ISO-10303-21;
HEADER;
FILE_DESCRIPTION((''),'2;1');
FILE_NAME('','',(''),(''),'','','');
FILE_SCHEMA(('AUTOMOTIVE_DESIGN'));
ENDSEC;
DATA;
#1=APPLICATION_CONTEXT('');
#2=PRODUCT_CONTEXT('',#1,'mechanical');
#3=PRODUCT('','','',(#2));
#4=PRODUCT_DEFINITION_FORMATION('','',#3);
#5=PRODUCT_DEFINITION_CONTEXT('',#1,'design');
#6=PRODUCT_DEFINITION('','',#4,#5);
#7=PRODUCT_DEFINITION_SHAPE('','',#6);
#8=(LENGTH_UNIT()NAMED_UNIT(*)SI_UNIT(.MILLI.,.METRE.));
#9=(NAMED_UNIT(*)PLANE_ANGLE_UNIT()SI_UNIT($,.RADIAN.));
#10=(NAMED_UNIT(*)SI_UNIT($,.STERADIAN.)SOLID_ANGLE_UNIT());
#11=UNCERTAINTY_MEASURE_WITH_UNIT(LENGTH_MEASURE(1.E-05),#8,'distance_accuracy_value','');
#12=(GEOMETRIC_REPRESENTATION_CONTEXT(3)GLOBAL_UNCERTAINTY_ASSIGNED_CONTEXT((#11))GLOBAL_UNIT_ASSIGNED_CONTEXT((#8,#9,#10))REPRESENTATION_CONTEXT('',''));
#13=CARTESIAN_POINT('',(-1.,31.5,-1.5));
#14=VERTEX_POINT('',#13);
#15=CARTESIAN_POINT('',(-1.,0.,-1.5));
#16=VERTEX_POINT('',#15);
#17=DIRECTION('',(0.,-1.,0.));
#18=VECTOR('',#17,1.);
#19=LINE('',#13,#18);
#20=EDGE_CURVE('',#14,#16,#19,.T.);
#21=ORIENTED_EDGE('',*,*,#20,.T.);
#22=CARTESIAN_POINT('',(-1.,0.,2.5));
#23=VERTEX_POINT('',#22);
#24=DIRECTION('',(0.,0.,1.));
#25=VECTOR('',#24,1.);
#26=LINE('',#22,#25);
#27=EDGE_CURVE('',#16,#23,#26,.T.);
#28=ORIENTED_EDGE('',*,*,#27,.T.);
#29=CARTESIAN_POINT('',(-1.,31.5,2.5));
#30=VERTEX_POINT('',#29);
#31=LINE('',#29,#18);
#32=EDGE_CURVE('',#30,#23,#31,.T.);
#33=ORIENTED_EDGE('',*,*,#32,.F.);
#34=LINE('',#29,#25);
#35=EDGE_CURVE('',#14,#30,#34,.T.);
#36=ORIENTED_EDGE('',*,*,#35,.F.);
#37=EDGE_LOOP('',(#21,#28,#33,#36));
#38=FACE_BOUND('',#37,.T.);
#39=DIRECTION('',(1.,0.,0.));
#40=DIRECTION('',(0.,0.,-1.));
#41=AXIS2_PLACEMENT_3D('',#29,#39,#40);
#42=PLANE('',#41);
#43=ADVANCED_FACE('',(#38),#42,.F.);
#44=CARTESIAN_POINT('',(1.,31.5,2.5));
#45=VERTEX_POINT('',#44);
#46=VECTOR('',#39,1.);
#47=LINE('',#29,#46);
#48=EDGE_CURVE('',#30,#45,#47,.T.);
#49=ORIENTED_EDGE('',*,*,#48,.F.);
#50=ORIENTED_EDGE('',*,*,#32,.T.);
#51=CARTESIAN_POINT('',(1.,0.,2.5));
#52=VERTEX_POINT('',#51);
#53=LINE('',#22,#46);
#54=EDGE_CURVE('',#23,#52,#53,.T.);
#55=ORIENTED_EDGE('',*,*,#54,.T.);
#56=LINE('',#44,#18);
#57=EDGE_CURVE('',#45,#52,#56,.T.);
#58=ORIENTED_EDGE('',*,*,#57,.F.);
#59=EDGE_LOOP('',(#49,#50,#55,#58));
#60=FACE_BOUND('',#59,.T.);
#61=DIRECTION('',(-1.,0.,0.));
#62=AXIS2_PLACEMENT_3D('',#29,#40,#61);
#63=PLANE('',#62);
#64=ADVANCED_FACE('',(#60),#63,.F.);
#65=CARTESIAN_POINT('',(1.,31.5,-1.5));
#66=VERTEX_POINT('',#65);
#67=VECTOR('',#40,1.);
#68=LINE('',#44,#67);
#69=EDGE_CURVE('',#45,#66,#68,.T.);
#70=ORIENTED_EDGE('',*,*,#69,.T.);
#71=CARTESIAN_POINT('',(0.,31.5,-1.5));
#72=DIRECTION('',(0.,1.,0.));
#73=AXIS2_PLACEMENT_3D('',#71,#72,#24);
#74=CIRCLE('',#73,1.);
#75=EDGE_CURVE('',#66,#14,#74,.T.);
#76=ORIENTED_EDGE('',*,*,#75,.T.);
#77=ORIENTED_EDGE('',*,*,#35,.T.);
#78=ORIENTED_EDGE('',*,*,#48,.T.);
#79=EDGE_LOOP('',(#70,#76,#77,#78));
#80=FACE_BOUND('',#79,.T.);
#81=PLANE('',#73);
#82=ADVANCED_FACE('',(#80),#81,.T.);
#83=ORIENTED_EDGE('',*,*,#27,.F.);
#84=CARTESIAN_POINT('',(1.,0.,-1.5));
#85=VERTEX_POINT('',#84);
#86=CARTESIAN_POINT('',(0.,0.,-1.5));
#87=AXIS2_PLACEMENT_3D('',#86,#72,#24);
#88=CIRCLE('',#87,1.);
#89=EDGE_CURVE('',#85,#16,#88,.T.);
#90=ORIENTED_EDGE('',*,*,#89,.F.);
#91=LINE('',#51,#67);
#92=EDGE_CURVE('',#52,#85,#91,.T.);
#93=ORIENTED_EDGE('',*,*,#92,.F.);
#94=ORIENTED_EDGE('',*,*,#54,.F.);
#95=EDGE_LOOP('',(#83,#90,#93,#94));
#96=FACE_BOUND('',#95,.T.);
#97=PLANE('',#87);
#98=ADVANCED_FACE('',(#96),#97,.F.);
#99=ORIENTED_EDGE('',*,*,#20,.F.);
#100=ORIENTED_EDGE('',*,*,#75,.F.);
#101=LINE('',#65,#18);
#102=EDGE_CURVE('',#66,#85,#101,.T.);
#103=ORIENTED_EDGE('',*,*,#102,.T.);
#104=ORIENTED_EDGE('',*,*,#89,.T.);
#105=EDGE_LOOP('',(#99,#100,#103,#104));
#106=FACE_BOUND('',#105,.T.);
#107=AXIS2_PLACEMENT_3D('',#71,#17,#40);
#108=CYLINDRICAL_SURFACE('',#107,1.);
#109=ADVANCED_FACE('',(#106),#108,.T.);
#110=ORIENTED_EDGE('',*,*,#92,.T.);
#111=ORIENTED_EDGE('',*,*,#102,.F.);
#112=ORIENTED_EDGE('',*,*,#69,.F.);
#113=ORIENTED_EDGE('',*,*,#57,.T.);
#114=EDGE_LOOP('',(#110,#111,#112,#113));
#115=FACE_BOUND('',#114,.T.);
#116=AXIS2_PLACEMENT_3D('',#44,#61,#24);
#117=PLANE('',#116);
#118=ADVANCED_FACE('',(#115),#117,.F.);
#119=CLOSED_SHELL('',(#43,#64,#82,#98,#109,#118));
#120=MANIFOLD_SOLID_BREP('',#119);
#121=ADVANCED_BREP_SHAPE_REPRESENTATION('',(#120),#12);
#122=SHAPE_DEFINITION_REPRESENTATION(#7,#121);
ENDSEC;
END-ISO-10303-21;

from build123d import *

# Parameters (mm, degrees)
BOSS_EXTRU_1_DEPTH = 31.5


with BuildPart() as part:
    # Esquisse1 → Boss.-Extru.1 (new body)
    with BuildSketch(Plane(origin=(0, 0, 0), x_dir=(1, 0, 0), z_dir=(0, 1, 0))):
        with BuildLine():
            Line((-1, -2.5), (1, -2.5))
            Line((1, -2.5), (1, 1.5))
            ThreePointArc((1, 1.5), (0, 2.5), (-1, 1.5))
            Line((-1, 1.5), (-1, -2.5))
        make_face()
    extrude(amount=BOSS_EXTRU_1_DEPTH)


solid = part.part
